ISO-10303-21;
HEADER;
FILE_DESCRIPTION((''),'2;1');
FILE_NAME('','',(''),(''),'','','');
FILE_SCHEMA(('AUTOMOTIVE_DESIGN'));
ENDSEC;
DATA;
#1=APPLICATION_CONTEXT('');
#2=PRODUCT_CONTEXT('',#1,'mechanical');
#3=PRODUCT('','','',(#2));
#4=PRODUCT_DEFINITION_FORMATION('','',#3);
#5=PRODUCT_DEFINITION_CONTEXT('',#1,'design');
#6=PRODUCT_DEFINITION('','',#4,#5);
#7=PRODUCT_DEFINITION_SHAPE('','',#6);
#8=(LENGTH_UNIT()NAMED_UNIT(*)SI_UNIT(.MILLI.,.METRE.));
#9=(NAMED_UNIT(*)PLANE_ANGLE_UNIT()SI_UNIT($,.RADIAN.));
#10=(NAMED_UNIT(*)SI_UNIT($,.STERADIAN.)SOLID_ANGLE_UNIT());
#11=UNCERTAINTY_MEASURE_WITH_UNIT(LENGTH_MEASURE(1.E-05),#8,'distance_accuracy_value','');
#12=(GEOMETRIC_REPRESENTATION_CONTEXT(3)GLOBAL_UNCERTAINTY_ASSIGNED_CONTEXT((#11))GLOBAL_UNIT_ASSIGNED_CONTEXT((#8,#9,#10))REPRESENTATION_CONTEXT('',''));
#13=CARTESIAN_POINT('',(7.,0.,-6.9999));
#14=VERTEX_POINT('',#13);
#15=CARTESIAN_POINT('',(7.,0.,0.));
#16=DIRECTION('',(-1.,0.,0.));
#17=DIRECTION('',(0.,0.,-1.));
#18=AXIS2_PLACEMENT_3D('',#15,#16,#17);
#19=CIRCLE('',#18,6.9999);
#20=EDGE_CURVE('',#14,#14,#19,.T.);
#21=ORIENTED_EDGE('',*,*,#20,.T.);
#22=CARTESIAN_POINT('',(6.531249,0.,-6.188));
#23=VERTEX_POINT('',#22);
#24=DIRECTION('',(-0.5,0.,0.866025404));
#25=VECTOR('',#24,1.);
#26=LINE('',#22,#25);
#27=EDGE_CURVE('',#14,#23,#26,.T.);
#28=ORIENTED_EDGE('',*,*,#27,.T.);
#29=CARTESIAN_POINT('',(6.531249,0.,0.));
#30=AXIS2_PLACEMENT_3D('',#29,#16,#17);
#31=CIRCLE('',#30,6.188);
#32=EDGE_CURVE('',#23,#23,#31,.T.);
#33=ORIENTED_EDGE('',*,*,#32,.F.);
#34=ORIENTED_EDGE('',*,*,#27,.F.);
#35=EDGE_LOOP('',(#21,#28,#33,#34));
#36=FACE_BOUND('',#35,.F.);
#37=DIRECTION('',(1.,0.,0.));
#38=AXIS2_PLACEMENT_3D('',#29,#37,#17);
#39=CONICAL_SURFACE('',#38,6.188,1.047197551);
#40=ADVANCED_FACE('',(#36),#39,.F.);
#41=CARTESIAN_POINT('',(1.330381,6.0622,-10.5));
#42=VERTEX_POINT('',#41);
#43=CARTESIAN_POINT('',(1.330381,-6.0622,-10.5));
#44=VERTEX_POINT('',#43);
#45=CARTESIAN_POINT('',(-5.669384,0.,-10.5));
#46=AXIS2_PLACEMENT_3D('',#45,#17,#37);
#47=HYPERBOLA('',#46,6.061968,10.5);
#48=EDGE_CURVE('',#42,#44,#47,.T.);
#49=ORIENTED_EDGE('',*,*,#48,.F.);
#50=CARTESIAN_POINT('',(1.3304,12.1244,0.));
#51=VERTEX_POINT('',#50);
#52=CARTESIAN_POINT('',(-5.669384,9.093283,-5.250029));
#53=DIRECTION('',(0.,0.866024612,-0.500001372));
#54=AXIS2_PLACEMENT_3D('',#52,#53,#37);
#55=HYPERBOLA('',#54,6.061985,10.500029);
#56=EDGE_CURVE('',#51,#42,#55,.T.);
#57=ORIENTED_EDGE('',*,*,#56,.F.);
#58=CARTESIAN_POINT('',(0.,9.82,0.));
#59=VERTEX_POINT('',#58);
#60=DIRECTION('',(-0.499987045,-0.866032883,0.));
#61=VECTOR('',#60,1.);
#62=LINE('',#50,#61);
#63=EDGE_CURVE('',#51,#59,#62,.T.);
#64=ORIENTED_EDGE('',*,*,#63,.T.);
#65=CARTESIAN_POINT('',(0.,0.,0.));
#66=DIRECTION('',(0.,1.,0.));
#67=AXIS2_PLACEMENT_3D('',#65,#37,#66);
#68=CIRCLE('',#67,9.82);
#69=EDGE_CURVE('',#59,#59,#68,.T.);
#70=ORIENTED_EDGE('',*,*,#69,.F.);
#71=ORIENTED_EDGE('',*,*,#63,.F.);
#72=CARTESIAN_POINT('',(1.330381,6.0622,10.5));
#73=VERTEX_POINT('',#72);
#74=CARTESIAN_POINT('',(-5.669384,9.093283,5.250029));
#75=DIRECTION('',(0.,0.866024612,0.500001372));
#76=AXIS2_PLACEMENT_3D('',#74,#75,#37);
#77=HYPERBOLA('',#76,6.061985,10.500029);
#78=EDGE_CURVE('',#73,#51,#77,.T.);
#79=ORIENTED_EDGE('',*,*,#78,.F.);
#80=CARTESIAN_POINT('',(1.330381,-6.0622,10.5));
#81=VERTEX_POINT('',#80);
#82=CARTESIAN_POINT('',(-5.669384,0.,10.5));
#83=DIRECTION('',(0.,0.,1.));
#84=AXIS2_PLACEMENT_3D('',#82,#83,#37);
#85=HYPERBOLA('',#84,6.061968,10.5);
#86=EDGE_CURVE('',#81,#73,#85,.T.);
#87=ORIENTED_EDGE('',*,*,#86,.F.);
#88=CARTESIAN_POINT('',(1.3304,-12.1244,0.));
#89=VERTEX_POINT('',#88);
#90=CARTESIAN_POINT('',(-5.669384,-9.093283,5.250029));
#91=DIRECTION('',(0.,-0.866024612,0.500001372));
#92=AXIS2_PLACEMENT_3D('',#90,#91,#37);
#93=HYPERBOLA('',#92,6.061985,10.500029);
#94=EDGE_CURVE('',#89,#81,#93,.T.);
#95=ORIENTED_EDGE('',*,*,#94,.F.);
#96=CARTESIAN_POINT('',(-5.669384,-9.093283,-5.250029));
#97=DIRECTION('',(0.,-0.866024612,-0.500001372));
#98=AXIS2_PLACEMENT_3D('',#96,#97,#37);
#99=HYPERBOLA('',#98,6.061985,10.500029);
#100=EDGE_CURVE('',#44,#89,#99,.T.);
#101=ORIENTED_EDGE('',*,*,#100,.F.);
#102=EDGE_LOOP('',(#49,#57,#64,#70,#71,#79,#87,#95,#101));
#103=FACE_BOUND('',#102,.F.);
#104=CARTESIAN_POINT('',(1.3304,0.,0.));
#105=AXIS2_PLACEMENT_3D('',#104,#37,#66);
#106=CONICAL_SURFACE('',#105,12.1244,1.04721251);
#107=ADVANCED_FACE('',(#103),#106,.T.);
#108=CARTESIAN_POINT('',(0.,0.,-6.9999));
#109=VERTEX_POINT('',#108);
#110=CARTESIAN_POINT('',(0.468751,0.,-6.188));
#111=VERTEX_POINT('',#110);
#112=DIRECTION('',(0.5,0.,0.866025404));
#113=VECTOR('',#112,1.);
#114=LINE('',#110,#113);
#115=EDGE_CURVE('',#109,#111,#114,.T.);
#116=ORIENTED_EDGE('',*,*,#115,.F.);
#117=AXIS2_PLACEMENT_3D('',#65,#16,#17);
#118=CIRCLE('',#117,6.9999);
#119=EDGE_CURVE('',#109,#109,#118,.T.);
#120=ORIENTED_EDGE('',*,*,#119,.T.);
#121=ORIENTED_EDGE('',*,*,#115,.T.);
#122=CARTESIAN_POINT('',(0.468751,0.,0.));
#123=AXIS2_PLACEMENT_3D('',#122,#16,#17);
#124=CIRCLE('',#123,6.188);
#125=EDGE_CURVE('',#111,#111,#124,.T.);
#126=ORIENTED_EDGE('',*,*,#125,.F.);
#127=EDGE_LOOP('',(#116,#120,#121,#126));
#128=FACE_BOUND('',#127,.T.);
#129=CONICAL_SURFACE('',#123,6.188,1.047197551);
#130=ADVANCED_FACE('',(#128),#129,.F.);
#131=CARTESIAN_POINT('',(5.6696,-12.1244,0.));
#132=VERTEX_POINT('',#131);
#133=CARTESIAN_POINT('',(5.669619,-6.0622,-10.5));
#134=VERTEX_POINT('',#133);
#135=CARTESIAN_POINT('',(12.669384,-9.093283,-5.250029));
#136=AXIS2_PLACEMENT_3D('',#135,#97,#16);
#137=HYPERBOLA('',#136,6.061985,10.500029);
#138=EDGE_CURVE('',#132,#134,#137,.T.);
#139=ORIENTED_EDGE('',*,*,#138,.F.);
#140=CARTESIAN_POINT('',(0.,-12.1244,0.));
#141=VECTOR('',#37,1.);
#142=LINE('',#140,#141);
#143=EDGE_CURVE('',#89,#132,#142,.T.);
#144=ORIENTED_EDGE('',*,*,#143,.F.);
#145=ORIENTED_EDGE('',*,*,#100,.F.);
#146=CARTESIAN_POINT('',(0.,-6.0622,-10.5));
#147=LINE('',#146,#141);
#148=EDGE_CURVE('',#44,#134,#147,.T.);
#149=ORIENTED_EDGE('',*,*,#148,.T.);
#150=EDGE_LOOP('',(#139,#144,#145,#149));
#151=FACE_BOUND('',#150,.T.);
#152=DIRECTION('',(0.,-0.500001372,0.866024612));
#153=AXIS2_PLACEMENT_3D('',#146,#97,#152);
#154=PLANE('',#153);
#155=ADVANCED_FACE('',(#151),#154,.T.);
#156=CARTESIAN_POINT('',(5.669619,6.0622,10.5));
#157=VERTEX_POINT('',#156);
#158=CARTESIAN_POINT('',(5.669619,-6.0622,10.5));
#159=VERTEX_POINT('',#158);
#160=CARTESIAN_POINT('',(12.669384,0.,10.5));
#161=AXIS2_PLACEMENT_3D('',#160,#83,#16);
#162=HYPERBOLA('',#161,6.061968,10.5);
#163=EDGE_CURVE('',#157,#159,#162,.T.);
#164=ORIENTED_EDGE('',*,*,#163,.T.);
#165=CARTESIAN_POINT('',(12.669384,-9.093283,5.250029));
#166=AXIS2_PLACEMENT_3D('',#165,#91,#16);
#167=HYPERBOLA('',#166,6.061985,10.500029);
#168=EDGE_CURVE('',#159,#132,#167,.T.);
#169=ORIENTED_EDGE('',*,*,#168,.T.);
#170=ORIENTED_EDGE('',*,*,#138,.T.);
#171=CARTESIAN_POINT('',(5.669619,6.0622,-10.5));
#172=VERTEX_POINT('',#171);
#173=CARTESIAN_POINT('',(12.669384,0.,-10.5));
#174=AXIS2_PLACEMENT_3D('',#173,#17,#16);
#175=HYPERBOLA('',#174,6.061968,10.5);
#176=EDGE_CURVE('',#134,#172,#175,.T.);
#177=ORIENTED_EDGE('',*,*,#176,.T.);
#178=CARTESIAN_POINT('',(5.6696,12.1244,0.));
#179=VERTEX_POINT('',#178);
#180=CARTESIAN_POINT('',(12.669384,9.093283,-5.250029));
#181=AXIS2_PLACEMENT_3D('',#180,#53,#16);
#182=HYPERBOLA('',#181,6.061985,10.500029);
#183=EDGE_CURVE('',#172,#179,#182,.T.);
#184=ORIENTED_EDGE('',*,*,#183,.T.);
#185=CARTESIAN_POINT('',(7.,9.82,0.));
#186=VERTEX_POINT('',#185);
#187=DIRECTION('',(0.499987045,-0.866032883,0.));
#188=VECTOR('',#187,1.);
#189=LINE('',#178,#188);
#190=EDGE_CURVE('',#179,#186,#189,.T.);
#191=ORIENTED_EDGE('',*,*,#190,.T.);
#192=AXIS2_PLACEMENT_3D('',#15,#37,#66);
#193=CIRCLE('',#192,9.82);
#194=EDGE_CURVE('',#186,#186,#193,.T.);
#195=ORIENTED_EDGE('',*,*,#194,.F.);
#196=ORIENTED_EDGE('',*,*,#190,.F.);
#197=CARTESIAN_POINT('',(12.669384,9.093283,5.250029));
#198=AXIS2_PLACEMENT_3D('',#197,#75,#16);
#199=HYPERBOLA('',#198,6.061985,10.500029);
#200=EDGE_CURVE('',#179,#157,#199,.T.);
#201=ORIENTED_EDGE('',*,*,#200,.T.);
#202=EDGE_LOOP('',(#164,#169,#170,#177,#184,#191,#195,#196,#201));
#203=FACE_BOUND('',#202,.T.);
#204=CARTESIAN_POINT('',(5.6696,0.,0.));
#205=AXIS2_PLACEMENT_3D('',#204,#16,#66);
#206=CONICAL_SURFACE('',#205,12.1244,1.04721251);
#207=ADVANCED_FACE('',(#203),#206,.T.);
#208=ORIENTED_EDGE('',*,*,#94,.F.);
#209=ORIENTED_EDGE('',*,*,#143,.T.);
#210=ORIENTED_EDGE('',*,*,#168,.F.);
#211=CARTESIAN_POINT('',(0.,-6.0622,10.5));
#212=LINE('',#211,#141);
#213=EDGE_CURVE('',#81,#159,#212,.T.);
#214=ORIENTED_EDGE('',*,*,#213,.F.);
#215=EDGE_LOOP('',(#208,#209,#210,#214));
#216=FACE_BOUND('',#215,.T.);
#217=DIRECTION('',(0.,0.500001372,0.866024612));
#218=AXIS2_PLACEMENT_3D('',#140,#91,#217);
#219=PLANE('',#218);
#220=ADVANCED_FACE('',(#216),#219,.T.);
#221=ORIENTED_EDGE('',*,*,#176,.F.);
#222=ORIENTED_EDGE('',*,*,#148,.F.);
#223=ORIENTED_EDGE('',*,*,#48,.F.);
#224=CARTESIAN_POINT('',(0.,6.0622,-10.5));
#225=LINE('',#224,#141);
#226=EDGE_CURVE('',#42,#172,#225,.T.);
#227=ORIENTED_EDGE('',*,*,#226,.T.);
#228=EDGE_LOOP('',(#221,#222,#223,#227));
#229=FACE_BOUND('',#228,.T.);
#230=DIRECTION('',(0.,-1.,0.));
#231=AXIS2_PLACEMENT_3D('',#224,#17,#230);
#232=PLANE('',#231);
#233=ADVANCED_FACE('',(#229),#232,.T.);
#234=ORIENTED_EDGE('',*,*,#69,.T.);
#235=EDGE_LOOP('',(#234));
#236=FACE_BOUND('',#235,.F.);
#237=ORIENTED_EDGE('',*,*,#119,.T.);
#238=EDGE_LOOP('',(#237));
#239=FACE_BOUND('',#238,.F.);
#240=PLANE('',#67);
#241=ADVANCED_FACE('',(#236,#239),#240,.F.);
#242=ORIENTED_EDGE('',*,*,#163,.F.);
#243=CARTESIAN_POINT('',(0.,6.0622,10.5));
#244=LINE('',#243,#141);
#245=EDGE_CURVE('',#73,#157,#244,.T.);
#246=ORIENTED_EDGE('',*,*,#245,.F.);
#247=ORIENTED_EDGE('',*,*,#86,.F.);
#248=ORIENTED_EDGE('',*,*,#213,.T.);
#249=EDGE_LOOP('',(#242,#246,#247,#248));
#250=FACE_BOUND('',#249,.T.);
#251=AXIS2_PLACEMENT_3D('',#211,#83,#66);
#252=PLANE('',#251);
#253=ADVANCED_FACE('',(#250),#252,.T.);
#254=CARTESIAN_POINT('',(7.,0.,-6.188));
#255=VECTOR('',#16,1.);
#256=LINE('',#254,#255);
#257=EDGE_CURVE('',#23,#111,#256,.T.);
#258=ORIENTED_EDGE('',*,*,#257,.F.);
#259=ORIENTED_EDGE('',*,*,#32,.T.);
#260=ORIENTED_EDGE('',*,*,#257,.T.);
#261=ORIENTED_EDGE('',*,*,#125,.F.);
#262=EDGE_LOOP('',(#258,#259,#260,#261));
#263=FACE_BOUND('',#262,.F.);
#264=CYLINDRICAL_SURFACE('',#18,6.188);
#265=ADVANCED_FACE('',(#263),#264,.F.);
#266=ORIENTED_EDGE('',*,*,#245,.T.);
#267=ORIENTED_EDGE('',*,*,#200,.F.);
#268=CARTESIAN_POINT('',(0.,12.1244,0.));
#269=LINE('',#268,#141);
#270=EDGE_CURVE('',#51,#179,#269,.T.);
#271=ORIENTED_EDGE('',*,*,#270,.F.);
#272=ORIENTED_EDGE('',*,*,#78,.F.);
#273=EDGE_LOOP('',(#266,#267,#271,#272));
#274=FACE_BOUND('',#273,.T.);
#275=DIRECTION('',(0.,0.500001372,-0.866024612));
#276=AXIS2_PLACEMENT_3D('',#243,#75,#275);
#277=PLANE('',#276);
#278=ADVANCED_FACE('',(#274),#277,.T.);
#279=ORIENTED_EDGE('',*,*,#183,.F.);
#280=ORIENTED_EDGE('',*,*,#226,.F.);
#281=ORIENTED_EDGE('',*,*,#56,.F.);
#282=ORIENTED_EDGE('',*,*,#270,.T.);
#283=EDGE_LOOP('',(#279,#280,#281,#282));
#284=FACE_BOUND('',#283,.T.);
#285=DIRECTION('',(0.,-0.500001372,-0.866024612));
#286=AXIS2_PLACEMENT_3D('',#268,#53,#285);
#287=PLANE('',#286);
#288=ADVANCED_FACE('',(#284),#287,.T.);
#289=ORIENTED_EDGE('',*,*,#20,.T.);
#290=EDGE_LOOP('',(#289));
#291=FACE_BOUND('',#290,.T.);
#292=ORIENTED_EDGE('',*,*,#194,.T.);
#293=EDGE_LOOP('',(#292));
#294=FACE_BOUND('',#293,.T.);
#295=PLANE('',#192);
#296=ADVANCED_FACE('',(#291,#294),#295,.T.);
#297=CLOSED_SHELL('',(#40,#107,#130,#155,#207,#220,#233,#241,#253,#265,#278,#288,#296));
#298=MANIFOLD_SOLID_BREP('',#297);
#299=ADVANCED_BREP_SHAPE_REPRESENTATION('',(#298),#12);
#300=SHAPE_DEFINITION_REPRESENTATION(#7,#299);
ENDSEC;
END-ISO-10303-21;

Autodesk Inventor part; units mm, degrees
ref_plane "YZ Plane" through (0, 0, 0) normal (1, 0, 0) x (0, 1, 0)
ref_plane "XZ Plane" through (0, 0, 0) normal (0, 1, 0) x (-1, 0, 0)
sketch "Sketch1" plane through (0, 0, 0) normal (1, 0, 0) x (0, 1, 0)
  line L0 (-12.1244, 0) -> (-6.0622, 10.5)
  line L1 (-6.0622, 10.5) -> (6.0622, 10.5)
  line L2 (6.0622, 10.5) -> (12.1244, 0)
  line L3 (12.1244, 0) -> (6.0622, -10.5)
  line L4 (6.0622, -10.5) -> (-6.0622, -10.5)
  line L5 (-6.0622, -10.5) -> (-12.1244, 0)
  point P0 (0, 0)
  point P1 (0, 0)
  dimension "d0" = 24.2487
extrude "Body" add sketch "Sketch1" along normal blind 7
sketch "Sketch2" plane through (0, 0, 0) normal (0, 0, 1) x (1, 0, 0)
  line L0 (0, 6.0622) -> (0, 12.1244) projected
  line L1 (0, 12.1244) -> (7, 12.1244) projected
  line L2 (7, 6.0622) -> (7, 12.1244) projected
  line L3 (-1.4, 0) -> (8.4, 0) projected
  line L4 (1.3304, 12.1244) -> (0, 9.82)
  line L5 (5.6696, 12.1244) -> (7, 9.82)
  dimension "d3" = 30
  dimension "d4" = 30
  dimension "d5" = 19.64
  dimension "d6" = 19.64
revolve "Chamfer1" cut sketch "Sketch2" angle 360 about axis through (-10, 0, 0) along (1, 0, 0)
sketch "Sketch3" plane through (7, 0, 0) normal (1, 0, 0) x (0, 0, -1)
  arc A0 (-0.625, -1.0825) -> (0.625, -1.0825) centre (0, 0) ccw projected
hole "Thread" at (7, 0, 0) direction (-1, 0, 0) diameter 12.376 end through all thread size "M14x1.5" class "6H" standard "ISO Metric profile"
chamfer "Chamfer2" distance 0.8119 angle 30 1 edges at (7, 0, 6.188) measured on face at (7, 8.4992, -1.032)
chamfer "Chamfer3" distance 0.8119 angle 30 1 edges at (0, 0, 6.188) measured on face at (0, 8.4992, -1.032)
ref_plane "Work Plane1" through (-26.022, 0, 0) normal (0, -0.866, -0.5) x (1, 0, 0)
equation "\"d0\" = 1.1547 * SW"
equation "\"d1\" = KOH"
equation "\"d3\" = ANG1"
equation "\"d4\" = ANG2"
equation "\"d5\" = SW0"
equation "\"d6\" = SW01"
equation "\"d8\" = -0.5 * GD1 + 0.5 * NND"
equation "\"d40\" = -0.5 * GD1 + 0.5 * NND"
equation "\"d10\" = -0.5 * GD1 + 0.5 * NND"
equation "\"d41\" = -0.5 * GD1 + 0.5 * NND"
equation "\"ANG1\" = 30deg"
equation "\"ANG2\" = 30deg"
equation "\"NND\" = 14"
equation "\"KOH\" = 7"
equation "\"SW\" = 21"
equation "\"SW0\" = 19.64"
equation "\"SW01\" = SW0"
equation "\"GUL\" = 0.541266 * PTC"
equation "\"THREADDIA\" = 14"
equation "\"TOA\" = 30deg"
equation "\"PTC\" = 1.5"
equation "\"E0\" = 23.36"
equation "\"GAL\" = 0.541266 * PTC"
equation "\"GD1\" = 12.376202"
properties part number "ISO 8675 - M14 x 1.5" material "Stainless Steel, 440C"
